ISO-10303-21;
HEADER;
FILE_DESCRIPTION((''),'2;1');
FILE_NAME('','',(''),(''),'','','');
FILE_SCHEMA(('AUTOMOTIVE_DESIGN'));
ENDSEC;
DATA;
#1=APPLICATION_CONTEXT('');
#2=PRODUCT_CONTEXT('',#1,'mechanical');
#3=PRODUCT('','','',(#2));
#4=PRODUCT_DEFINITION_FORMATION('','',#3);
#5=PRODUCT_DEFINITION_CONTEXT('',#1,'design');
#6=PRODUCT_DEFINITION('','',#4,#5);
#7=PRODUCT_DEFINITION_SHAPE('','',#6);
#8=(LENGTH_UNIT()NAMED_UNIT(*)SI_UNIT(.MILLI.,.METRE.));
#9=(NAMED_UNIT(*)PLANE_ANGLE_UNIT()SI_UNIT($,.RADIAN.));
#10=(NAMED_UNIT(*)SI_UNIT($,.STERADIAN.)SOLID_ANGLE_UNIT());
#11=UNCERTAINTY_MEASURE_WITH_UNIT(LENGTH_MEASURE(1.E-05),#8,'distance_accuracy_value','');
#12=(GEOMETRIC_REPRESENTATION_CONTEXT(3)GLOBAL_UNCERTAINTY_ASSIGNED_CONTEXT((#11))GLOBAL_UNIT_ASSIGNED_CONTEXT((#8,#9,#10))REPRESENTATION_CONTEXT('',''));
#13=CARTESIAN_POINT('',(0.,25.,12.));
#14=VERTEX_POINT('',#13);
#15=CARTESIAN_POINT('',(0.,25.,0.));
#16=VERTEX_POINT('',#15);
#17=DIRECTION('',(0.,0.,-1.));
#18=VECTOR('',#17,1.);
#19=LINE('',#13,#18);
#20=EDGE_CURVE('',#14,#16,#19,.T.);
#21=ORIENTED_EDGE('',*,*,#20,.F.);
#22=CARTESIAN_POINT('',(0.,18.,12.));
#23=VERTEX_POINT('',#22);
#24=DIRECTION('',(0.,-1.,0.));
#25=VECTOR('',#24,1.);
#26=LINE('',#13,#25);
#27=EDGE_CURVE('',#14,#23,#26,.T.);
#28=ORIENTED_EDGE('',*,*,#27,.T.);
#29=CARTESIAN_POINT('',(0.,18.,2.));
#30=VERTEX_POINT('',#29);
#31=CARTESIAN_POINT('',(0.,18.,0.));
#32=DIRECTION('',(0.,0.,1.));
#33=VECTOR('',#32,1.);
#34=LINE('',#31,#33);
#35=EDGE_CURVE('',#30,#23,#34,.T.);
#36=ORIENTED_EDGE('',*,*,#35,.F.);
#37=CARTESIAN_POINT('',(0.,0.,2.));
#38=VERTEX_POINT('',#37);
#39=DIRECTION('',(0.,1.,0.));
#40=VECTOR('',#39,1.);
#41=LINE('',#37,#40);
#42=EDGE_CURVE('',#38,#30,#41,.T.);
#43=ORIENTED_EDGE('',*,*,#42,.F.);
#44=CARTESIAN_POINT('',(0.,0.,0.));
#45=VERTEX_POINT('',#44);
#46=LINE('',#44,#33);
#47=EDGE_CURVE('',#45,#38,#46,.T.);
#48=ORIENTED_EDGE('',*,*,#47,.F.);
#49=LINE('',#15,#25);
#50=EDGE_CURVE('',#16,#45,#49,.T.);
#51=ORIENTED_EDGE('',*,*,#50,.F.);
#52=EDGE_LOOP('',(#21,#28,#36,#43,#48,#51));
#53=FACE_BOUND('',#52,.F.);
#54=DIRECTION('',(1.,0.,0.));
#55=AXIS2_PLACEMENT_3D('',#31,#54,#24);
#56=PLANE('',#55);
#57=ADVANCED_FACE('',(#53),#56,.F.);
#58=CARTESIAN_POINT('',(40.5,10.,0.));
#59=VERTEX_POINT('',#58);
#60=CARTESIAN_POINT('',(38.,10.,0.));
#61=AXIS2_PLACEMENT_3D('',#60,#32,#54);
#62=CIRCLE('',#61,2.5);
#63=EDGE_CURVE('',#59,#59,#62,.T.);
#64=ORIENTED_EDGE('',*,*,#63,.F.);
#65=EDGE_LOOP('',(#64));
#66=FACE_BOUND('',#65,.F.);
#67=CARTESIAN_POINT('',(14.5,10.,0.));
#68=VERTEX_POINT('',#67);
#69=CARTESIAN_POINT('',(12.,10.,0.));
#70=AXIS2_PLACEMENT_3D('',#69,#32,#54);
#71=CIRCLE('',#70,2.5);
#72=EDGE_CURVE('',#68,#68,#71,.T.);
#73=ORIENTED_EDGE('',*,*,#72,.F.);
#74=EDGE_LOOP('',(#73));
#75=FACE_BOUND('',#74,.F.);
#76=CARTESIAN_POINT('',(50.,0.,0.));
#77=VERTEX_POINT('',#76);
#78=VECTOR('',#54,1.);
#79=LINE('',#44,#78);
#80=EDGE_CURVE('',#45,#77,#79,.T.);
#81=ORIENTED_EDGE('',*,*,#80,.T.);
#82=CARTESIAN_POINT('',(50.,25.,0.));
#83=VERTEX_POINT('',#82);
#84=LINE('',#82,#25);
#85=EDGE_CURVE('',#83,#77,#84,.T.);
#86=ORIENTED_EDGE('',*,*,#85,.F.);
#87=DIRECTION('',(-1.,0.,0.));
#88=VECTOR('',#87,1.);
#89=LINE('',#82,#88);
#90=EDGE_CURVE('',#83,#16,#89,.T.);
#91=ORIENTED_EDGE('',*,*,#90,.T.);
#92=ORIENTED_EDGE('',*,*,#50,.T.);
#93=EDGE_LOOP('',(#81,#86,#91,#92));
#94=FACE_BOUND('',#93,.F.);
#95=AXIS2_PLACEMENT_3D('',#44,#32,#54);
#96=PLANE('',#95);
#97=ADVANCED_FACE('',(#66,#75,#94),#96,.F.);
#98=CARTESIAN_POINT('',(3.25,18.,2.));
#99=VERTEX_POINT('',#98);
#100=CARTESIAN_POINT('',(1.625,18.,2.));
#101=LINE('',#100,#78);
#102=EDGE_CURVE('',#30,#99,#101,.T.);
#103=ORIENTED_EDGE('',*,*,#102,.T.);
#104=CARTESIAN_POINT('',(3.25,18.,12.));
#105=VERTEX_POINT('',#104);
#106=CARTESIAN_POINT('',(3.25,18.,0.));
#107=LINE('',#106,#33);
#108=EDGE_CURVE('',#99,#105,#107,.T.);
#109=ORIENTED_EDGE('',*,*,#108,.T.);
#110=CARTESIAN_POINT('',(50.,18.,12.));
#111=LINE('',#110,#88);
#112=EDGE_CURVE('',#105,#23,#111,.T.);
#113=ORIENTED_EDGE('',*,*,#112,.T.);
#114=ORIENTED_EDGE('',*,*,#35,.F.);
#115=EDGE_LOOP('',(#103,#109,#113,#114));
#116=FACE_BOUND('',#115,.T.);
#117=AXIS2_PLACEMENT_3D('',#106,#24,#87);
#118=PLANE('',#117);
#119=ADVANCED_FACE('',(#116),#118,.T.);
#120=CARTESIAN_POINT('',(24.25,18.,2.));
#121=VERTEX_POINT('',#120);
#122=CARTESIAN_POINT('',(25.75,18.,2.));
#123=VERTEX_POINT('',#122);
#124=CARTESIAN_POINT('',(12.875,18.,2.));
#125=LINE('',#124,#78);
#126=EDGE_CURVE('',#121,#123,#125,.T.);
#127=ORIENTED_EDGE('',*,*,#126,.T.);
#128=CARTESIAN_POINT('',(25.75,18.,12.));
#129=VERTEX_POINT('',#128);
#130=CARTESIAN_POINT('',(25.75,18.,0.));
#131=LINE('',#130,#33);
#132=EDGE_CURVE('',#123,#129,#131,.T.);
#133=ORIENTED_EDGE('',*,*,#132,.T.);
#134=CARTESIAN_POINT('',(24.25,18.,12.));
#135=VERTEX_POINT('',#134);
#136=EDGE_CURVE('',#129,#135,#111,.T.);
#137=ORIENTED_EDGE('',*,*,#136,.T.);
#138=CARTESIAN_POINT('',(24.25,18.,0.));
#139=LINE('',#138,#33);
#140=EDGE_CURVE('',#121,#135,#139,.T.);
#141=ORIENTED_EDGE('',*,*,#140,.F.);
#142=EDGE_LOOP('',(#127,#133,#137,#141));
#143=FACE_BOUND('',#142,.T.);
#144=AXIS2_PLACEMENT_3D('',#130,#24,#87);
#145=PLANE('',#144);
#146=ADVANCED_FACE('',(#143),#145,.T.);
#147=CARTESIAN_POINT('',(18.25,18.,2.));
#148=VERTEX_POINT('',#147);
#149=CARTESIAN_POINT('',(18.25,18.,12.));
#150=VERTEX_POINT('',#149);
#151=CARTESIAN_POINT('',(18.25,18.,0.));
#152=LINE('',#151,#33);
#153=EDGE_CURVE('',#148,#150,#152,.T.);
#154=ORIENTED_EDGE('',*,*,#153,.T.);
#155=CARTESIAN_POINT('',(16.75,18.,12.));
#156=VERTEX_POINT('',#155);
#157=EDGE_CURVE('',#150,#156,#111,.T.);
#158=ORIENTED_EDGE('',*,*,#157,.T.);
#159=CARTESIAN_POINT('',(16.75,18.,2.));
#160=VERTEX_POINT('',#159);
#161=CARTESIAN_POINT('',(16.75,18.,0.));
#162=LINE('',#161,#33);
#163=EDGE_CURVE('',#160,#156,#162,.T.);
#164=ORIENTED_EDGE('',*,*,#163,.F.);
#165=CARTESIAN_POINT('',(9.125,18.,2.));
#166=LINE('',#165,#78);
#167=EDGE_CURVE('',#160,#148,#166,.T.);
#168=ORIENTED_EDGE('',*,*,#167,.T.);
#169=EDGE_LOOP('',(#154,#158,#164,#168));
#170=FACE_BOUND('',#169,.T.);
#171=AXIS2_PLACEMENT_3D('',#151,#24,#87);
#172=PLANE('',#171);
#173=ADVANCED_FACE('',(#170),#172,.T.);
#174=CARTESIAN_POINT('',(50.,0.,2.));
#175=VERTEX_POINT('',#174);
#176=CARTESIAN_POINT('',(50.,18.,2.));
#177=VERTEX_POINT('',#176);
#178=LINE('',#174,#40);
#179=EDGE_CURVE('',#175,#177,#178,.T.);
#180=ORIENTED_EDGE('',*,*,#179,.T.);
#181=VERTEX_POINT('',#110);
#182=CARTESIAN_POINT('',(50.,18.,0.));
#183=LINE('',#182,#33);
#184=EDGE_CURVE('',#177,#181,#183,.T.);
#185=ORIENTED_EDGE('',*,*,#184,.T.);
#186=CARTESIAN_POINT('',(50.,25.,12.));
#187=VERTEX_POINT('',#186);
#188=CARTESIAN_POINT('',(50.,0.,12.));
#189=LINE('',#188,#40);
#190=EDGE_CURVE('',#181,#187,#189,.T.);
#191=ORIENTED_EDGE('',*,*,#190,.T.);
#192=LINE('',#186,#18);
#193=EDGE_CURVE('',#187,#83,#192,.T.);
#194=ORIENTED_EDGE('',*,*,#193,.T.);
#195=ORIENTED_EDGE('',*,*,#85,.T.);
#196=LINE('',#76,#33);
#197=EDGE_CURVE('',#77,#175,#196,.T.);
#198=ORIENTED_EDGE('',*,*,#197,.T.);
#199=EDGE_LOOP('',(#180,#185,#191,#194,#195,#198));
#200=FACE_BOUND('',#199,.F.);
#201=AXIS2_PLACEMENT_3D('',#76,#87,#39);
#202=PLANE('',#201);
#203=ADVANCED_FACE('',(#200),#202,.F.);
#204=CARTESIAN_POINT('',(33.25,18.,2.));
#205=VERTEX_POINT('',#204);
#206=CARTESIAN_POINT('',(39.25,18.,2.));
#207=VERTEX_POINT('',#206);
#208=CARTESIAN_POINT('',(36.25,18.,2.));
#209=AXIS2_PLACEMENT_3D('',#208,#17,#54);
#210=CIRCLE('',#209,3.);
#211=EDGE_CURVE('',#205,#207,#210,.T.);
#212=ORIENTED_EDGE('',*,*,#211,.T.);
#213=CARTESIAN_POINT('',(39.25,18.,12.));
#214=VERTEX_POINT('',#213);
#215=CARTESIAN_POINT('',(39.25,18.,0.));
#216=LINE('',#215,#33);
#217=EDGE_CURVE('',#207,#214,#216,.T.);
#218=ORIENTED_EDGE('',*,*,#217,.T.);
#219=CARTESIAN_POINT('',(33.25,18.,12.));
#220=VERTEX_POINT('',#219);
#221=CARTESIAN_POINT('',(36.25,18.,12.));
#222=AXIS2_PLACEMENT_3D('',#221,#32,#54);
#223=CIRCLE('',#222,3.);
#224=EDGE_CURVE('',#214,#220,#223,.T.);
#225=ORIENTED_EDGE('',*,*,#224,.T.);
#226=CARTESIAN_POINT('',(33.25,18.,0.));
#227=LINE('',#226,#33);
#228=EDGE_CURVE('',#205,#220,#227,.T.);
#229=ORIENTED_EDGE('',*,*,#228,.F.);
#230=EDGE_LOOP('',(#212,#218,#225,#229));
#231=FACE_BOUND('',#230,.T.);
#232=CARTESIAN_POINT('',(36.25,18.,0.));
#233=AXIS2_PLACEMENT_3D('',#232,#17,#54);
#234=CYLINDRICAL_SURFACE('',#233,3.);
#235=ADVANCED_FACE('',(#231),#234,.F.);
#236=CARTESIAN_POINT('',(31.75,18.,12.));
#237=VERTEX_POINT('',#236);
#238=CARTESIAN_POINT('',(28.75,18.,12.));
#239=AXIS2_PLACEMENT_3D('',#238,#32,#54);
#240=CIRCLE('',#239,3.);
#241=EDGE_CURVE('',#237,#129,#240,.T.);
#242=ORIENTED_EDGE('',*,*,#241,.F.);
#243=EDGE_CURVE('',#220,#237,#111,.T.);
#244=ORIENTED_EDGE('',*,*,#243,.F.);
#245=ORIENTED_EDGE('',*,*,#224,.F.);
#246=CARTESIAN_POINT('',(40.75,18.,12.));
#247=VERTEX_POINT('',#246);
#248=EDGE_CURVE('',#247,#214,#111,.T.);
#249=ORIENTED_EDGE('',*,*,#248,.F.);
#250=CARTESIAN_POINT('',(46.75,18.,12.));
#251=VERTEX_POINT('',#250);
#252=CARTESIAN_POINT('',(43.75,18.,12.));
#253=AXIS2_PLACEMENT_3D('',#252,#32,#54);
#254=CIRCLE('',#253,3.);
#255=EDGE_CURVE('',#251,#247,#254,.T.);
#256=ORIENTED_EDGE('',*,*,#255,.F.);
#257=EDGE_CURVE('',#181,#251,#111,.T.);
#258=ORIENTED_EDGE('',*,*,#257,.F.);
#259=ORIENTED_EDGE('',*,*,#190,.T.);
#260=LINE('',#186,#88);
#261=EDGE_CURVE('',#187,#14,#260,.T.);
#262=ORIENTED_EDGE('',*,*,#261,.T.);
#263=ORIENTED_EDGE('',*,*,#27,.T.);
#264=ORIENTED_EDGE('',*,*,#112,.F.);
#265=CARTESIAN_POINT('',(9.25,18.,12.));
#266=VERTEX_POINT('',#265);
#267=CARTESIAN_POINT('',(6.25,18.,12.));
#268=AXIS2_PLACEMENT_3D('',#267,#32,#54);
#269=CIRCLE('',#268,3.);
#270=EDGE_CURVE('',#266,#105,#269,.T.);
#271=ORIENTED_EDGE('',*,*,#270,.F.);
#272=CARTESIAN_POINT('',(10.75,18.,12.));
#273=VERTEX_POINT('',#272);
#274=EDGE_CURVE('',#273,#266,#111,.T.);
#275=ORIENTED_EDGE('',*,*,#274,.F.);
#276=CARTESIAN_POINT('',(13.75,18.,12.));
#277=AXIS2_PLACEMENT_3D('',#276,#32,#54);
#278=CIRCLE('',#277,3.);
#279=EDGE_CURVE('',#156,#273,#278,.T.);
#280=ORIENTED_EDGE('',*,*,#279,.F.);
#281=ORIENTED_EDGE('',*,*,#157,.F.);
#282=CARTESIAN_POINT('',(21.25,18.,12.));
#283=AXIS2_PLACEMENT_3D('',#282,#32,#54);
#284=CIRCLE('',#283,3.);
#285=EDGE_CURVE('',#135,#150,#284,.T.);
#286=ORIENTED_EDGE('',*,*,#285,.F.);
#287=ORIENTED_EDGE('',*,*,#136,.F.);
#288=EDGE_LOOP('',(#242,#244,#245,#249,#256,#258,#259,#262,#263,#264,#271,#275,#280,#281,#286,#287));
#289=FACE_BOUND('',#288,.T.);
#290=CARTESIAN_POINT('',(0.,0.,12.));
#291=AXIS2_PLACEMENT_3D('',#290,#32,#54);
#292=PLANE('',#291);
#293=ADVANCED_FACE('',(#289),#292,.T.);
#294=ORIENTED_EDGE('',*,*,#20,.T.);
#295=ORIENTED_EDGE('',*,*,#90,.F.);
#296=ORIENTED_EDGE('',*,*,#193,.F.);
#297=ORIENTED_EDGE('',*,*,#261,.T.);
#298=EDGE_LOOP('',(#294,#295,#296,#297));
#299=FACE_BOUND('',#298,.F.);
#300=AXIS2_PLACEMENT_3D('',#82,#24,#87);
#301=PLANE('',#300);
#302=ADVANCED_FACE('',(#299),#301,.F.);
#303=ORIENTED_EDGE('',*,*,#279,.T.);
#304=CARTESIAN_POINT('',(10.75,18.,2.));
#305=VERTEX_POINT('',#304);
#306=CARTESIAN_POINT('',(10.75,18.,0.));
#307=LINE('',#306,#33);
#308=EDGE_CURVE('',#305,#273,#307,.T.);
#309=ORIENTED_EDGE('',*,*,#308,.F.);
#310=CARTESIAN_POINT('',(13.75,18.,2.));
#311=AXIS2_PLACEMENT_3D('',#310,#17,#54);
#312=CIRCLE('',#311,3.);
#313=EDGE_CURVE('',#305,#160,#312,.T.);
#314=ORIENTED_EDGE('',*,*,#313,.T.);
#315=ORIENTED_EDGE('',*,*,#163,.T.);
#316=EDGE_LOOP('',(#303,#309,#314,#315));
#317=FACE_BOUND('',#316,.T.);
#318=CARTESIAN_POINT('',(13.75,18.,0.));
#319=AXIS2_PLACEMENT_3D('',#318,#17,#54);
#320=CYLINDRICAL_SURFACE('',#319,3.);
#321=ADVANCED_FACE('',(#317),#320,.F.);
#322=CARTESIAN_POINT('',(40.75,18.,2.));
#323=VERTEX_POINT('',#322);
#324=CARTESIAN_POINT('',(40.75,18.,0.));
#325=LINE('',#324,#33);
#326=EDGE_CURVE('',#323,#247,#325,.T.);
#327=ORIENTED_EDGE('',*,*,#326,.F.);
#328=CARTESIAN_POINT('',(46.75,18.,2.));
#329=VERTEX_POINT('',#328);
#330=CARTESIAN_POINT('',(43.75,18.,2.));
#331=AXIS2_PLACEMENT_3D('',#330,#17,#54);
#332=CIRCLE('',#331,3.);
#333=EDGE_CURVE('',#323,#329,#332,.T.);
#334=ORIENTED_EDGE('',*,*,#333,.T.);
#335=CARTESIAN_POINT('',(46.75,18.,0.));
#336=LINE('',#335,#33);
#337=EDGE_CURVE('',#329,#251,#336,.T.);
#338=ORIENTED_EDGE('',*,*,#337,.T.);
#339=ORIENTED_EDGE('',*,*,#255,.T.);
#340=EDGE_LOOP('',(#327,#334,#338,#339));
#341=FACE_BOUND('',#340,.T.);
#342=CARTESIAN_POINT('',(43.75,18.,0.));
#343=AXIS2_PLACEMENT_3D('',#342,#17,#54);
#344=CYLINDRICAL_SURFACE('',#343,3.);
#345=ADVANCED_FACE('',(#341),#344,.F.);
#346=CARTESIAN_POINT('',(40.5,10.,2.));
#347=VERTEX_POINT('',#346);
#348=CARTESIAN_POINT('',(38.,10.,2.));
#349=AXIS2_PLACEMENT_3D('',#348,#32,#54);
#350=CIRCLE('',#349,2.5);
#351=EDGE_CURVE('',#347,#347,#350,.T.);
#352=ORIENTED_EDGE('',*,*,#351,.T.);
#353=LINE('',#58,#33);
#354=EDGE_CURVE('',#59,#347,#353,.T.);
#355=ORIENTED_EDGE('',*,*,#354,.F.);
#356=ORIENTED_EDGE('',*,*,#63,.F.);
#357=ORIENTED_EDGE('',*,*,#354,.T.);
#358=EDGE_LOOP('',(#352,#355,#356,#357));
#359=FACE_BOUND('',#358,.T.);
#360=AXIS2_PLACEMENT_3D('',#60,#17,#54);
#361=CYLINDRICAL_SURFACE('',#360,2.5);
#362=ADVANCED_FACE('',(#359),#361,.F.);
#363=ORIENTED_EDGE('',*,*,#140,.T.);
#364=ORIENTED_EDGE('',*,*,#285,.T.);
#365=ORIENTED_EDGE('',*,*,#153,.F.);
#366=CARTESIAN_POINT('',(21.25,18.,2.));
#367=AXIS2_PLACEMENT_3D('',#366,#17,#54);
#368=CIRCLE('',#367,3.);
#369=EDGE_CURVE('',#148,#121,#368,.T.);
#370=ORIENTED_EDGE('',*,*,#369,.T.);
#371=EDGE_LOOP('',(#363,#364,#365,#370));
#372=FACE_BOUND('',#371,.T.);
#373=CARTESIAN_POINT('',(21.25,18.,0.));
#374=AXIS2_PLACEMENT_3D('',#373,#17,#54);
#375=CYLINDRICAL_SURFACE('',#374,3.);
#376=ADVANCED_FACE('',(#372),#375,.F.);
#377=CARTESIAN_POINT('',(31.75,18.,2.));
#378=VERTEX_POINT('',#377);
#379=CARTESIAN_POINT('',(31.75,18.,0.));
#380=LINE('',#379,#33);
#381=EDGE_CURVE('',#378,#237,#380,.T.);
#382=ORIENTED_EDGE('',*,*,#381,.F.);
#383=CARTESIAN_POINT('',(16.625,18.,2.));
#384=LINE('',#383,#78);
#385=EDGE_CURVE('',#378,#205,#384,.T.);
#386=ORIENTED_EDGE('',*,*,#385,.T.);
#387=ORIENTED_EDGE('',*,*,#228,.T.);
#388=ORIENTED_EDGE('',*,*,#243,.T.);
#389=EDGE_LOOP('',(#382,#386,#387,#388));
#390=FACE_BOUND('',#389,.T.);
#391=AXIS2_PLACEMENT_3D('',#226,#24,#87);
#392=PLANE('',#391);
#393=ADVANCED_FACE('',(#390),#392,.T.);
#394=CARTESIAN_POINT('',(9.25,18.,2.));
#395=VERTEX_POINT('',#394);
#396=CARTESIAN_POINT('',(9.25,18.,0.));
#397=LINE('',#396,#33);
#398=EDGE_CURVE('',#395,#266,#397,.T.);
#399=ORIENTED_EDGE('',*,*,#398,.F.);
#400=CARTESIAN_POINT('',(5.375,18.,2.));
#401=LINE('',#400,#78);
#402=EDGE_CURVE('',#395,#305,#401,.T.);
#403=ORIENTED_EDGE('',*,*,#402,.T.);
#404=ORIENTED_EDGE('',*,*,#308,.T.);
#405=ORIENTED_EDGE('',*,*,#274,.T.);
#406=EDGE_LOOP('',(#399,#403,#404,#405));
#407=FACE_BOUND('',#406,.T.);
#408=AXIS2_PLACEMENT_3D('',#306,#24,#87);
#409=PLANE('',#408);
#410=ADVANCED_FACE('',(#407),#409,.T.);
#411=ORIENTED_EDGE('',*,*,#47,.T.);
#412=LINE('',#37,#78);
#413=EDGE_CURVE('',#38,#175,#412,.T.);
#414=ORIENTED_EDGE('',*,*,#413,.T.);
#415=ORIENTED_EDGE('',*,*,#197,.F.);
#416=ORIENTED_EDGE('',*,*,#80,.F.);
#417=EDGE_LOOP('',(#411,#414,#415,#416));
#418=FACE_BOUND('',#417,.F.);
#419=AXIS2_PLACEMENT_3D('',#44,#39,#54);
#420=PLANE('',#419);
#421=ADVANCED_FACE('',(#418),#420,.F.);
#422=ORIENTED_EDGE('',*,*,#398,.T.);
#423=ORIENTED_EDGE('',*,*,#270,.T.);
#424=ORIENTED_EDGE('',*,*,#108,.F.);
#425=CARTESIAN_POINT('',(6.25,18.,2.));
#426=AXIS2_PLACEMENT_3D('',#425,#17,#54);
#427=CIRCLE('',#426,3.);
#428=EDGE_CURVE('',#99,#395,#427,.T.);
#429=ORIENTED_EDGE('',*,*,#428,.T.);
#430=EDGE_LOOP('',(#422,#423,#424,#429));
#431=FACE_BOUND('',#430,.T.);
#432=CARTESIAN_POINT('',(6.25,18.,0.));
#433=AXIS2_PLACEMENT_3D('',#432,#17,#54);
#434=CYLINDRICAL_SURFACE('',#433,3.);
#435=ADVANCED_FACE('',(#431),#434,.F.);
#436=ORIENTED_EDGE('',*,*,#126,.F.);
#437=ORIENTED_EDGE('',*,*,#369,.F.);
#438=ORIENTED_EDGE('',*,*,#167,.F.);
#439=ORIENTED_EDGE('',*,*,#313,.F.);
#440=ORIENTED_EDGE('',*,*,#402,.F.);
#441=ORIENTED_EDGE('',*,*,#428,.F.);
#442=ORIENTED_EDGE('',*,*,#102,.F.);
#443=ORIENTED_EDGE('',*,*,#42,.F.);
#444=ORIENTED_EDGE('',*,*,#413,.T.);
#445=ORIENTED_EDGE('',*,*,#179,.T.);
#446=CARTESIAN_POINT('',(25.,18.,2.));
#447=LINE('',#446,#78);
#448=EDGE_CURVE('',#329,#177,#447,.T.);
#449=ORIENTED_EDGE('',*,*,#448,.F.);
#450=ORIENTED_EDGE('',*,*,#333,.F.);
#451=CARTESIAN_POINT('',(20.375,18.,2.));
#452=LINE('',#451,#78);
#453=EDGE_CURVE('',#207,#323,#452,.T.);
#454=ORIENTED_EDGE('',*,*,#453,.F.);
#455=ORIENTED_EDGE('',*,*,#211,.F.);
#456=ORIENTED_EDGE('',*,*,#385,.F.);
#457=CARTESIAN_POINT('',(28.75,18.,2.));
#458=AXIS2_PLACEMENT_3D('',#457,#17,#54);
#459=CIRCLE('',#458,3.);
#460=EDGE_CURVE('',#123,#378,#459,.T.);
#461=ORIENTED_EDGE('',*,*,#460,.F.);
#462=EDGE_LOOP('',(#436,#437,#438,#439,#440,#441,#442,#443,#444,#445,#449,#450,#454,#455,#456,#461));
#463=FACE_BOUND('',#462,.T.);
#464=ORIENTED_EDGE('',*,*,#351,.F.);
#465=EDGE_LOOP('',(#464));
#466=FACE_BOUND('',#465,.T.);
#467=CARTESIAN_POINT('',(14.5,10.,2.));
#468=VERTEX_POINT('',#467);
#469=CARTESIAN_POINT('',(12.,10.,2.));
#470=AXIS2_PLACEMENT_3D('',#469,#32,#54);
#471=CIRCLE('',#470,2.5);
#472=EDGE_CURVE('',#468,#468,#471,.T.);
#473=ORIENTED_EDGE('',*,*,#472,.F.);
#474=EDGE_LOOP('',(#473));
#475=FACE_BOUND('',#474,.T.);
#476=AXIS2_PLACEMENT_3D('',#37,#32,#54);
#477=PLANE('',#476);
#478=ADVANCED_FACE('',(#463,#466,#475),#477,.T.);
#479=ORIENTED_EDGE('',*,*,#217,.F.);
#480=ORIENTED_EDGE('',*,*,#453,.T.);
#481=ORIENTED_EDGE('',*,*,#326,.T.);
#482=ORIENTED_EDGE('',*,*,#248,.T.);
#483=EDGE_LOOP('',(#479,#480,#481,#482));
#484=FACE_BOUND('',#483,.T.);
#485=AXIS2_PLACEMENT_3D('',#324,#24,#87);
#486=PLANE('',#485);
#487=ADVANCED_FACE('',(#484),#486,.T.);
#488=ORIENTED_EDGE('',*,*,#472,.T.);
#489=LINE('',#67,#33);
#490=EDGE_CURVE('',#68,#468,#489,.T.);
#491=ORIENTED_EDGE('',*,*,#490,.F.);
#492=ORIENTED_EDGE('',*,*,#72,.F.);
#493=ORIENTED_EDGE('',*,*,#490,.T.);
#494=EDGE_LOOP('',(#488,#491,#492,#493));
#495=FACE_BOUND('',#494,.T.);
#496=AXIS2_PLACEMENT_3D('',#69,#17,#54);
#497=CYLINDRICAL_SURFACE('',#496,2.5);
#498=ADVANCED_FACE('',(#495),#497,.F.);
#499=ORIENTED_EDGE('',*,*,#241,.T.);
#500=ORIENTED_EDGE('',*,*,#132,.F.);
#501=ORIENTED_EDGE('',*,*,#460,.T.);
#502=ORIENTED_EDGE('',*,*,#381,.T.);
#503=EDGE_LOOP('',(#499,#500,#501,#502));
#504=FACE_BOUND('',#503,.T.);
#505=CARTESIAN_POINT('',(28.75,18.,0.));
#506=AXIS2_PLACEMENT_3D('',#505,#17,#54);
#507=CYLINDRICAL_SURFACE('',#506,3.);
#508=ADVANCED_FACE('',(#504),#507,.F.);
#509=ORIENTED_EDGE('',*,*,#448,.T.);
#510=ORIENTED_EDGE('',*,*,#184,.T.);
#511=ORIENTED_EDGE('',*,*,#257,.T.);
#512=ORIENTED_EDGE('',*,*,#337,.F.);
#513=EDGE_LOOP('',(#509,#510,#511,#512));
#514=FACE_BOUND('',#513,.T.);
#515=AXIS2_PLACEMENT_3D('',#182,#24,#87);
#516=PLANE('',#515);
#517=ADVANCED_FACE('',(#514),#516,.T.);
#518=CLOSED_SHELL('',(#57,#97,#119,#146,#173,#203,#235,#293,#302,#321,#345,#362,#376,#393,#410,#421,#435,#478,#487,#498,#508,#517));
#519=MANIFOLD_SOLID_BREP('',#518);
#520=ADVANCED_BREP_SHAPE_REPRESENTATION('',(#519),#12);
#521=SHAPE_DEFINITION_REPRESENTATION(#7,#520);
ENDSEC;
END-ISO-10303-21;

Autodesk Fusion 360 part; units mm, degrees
sketch "Sketch1" plane through (0, 0, 0) normal (0, 0, 1) x (1, 0, 0)
  line L0 (0, 0) -> (50, 0)
  line L1 (50, 0) -> (50, 25)
  line L2 (50, 25) -> (0, 25)
  line L3 (0, 25) -> (0, 0)
  circle A0 centre (12, 10) radius 2.5
  circle A1 centre (38, 10) radius 2.5
  line L4 (0, 25) -> (50, 25)
  line L5 (50, 25) -> (50, 18)
  line L6 (50, 18) -> (0, 18)
  line L7 (0, 18) -> (0, 25)
  circle A2 centre (6.25, 18) radius 3
  circle A3 centre (13.75, 18) radius 3
  circle A4 centre (21.25, 18) radius 3
  circle A5 centre (28.75, 18) radius 3
  circle A6 centre (36.25, 18) radius 3
  circle A7 centre (43.75, 18) radius 3
  dimension "d1" = 50
  dimension "d2" = 25
  dimension "d3" = 5
  dimension "d4" = 12
  dimension "d5" = 5
  dimension "d6" = 12
  dimension "d7" = 7
  dimension "d8" = 6
  dimension "d9" = 6
  dimension "d10" = 7.5
  dimension "d11" = 6
  dimension "d12" = 6
  dimension "d13" = 6
  dimension "d14" = 6
  dimension "d15" = 7.5
  dimension "d16" = 7.5
  dimension "d17" = 7.5
  dimension "d18" = 7.5
  dimension "d19" = 6.25
  dimension "d20" = 10
  dimension "d21" = 10
extrude "Extrude1" add sketch "Sketch1" along normal blind 2
extrude "Extrude2" add sketch "Sketch1" along normal blind 12 contours L1 L2 L3 L4 L5 L6 L7 A2 A3 A4 A5 A6 A7
